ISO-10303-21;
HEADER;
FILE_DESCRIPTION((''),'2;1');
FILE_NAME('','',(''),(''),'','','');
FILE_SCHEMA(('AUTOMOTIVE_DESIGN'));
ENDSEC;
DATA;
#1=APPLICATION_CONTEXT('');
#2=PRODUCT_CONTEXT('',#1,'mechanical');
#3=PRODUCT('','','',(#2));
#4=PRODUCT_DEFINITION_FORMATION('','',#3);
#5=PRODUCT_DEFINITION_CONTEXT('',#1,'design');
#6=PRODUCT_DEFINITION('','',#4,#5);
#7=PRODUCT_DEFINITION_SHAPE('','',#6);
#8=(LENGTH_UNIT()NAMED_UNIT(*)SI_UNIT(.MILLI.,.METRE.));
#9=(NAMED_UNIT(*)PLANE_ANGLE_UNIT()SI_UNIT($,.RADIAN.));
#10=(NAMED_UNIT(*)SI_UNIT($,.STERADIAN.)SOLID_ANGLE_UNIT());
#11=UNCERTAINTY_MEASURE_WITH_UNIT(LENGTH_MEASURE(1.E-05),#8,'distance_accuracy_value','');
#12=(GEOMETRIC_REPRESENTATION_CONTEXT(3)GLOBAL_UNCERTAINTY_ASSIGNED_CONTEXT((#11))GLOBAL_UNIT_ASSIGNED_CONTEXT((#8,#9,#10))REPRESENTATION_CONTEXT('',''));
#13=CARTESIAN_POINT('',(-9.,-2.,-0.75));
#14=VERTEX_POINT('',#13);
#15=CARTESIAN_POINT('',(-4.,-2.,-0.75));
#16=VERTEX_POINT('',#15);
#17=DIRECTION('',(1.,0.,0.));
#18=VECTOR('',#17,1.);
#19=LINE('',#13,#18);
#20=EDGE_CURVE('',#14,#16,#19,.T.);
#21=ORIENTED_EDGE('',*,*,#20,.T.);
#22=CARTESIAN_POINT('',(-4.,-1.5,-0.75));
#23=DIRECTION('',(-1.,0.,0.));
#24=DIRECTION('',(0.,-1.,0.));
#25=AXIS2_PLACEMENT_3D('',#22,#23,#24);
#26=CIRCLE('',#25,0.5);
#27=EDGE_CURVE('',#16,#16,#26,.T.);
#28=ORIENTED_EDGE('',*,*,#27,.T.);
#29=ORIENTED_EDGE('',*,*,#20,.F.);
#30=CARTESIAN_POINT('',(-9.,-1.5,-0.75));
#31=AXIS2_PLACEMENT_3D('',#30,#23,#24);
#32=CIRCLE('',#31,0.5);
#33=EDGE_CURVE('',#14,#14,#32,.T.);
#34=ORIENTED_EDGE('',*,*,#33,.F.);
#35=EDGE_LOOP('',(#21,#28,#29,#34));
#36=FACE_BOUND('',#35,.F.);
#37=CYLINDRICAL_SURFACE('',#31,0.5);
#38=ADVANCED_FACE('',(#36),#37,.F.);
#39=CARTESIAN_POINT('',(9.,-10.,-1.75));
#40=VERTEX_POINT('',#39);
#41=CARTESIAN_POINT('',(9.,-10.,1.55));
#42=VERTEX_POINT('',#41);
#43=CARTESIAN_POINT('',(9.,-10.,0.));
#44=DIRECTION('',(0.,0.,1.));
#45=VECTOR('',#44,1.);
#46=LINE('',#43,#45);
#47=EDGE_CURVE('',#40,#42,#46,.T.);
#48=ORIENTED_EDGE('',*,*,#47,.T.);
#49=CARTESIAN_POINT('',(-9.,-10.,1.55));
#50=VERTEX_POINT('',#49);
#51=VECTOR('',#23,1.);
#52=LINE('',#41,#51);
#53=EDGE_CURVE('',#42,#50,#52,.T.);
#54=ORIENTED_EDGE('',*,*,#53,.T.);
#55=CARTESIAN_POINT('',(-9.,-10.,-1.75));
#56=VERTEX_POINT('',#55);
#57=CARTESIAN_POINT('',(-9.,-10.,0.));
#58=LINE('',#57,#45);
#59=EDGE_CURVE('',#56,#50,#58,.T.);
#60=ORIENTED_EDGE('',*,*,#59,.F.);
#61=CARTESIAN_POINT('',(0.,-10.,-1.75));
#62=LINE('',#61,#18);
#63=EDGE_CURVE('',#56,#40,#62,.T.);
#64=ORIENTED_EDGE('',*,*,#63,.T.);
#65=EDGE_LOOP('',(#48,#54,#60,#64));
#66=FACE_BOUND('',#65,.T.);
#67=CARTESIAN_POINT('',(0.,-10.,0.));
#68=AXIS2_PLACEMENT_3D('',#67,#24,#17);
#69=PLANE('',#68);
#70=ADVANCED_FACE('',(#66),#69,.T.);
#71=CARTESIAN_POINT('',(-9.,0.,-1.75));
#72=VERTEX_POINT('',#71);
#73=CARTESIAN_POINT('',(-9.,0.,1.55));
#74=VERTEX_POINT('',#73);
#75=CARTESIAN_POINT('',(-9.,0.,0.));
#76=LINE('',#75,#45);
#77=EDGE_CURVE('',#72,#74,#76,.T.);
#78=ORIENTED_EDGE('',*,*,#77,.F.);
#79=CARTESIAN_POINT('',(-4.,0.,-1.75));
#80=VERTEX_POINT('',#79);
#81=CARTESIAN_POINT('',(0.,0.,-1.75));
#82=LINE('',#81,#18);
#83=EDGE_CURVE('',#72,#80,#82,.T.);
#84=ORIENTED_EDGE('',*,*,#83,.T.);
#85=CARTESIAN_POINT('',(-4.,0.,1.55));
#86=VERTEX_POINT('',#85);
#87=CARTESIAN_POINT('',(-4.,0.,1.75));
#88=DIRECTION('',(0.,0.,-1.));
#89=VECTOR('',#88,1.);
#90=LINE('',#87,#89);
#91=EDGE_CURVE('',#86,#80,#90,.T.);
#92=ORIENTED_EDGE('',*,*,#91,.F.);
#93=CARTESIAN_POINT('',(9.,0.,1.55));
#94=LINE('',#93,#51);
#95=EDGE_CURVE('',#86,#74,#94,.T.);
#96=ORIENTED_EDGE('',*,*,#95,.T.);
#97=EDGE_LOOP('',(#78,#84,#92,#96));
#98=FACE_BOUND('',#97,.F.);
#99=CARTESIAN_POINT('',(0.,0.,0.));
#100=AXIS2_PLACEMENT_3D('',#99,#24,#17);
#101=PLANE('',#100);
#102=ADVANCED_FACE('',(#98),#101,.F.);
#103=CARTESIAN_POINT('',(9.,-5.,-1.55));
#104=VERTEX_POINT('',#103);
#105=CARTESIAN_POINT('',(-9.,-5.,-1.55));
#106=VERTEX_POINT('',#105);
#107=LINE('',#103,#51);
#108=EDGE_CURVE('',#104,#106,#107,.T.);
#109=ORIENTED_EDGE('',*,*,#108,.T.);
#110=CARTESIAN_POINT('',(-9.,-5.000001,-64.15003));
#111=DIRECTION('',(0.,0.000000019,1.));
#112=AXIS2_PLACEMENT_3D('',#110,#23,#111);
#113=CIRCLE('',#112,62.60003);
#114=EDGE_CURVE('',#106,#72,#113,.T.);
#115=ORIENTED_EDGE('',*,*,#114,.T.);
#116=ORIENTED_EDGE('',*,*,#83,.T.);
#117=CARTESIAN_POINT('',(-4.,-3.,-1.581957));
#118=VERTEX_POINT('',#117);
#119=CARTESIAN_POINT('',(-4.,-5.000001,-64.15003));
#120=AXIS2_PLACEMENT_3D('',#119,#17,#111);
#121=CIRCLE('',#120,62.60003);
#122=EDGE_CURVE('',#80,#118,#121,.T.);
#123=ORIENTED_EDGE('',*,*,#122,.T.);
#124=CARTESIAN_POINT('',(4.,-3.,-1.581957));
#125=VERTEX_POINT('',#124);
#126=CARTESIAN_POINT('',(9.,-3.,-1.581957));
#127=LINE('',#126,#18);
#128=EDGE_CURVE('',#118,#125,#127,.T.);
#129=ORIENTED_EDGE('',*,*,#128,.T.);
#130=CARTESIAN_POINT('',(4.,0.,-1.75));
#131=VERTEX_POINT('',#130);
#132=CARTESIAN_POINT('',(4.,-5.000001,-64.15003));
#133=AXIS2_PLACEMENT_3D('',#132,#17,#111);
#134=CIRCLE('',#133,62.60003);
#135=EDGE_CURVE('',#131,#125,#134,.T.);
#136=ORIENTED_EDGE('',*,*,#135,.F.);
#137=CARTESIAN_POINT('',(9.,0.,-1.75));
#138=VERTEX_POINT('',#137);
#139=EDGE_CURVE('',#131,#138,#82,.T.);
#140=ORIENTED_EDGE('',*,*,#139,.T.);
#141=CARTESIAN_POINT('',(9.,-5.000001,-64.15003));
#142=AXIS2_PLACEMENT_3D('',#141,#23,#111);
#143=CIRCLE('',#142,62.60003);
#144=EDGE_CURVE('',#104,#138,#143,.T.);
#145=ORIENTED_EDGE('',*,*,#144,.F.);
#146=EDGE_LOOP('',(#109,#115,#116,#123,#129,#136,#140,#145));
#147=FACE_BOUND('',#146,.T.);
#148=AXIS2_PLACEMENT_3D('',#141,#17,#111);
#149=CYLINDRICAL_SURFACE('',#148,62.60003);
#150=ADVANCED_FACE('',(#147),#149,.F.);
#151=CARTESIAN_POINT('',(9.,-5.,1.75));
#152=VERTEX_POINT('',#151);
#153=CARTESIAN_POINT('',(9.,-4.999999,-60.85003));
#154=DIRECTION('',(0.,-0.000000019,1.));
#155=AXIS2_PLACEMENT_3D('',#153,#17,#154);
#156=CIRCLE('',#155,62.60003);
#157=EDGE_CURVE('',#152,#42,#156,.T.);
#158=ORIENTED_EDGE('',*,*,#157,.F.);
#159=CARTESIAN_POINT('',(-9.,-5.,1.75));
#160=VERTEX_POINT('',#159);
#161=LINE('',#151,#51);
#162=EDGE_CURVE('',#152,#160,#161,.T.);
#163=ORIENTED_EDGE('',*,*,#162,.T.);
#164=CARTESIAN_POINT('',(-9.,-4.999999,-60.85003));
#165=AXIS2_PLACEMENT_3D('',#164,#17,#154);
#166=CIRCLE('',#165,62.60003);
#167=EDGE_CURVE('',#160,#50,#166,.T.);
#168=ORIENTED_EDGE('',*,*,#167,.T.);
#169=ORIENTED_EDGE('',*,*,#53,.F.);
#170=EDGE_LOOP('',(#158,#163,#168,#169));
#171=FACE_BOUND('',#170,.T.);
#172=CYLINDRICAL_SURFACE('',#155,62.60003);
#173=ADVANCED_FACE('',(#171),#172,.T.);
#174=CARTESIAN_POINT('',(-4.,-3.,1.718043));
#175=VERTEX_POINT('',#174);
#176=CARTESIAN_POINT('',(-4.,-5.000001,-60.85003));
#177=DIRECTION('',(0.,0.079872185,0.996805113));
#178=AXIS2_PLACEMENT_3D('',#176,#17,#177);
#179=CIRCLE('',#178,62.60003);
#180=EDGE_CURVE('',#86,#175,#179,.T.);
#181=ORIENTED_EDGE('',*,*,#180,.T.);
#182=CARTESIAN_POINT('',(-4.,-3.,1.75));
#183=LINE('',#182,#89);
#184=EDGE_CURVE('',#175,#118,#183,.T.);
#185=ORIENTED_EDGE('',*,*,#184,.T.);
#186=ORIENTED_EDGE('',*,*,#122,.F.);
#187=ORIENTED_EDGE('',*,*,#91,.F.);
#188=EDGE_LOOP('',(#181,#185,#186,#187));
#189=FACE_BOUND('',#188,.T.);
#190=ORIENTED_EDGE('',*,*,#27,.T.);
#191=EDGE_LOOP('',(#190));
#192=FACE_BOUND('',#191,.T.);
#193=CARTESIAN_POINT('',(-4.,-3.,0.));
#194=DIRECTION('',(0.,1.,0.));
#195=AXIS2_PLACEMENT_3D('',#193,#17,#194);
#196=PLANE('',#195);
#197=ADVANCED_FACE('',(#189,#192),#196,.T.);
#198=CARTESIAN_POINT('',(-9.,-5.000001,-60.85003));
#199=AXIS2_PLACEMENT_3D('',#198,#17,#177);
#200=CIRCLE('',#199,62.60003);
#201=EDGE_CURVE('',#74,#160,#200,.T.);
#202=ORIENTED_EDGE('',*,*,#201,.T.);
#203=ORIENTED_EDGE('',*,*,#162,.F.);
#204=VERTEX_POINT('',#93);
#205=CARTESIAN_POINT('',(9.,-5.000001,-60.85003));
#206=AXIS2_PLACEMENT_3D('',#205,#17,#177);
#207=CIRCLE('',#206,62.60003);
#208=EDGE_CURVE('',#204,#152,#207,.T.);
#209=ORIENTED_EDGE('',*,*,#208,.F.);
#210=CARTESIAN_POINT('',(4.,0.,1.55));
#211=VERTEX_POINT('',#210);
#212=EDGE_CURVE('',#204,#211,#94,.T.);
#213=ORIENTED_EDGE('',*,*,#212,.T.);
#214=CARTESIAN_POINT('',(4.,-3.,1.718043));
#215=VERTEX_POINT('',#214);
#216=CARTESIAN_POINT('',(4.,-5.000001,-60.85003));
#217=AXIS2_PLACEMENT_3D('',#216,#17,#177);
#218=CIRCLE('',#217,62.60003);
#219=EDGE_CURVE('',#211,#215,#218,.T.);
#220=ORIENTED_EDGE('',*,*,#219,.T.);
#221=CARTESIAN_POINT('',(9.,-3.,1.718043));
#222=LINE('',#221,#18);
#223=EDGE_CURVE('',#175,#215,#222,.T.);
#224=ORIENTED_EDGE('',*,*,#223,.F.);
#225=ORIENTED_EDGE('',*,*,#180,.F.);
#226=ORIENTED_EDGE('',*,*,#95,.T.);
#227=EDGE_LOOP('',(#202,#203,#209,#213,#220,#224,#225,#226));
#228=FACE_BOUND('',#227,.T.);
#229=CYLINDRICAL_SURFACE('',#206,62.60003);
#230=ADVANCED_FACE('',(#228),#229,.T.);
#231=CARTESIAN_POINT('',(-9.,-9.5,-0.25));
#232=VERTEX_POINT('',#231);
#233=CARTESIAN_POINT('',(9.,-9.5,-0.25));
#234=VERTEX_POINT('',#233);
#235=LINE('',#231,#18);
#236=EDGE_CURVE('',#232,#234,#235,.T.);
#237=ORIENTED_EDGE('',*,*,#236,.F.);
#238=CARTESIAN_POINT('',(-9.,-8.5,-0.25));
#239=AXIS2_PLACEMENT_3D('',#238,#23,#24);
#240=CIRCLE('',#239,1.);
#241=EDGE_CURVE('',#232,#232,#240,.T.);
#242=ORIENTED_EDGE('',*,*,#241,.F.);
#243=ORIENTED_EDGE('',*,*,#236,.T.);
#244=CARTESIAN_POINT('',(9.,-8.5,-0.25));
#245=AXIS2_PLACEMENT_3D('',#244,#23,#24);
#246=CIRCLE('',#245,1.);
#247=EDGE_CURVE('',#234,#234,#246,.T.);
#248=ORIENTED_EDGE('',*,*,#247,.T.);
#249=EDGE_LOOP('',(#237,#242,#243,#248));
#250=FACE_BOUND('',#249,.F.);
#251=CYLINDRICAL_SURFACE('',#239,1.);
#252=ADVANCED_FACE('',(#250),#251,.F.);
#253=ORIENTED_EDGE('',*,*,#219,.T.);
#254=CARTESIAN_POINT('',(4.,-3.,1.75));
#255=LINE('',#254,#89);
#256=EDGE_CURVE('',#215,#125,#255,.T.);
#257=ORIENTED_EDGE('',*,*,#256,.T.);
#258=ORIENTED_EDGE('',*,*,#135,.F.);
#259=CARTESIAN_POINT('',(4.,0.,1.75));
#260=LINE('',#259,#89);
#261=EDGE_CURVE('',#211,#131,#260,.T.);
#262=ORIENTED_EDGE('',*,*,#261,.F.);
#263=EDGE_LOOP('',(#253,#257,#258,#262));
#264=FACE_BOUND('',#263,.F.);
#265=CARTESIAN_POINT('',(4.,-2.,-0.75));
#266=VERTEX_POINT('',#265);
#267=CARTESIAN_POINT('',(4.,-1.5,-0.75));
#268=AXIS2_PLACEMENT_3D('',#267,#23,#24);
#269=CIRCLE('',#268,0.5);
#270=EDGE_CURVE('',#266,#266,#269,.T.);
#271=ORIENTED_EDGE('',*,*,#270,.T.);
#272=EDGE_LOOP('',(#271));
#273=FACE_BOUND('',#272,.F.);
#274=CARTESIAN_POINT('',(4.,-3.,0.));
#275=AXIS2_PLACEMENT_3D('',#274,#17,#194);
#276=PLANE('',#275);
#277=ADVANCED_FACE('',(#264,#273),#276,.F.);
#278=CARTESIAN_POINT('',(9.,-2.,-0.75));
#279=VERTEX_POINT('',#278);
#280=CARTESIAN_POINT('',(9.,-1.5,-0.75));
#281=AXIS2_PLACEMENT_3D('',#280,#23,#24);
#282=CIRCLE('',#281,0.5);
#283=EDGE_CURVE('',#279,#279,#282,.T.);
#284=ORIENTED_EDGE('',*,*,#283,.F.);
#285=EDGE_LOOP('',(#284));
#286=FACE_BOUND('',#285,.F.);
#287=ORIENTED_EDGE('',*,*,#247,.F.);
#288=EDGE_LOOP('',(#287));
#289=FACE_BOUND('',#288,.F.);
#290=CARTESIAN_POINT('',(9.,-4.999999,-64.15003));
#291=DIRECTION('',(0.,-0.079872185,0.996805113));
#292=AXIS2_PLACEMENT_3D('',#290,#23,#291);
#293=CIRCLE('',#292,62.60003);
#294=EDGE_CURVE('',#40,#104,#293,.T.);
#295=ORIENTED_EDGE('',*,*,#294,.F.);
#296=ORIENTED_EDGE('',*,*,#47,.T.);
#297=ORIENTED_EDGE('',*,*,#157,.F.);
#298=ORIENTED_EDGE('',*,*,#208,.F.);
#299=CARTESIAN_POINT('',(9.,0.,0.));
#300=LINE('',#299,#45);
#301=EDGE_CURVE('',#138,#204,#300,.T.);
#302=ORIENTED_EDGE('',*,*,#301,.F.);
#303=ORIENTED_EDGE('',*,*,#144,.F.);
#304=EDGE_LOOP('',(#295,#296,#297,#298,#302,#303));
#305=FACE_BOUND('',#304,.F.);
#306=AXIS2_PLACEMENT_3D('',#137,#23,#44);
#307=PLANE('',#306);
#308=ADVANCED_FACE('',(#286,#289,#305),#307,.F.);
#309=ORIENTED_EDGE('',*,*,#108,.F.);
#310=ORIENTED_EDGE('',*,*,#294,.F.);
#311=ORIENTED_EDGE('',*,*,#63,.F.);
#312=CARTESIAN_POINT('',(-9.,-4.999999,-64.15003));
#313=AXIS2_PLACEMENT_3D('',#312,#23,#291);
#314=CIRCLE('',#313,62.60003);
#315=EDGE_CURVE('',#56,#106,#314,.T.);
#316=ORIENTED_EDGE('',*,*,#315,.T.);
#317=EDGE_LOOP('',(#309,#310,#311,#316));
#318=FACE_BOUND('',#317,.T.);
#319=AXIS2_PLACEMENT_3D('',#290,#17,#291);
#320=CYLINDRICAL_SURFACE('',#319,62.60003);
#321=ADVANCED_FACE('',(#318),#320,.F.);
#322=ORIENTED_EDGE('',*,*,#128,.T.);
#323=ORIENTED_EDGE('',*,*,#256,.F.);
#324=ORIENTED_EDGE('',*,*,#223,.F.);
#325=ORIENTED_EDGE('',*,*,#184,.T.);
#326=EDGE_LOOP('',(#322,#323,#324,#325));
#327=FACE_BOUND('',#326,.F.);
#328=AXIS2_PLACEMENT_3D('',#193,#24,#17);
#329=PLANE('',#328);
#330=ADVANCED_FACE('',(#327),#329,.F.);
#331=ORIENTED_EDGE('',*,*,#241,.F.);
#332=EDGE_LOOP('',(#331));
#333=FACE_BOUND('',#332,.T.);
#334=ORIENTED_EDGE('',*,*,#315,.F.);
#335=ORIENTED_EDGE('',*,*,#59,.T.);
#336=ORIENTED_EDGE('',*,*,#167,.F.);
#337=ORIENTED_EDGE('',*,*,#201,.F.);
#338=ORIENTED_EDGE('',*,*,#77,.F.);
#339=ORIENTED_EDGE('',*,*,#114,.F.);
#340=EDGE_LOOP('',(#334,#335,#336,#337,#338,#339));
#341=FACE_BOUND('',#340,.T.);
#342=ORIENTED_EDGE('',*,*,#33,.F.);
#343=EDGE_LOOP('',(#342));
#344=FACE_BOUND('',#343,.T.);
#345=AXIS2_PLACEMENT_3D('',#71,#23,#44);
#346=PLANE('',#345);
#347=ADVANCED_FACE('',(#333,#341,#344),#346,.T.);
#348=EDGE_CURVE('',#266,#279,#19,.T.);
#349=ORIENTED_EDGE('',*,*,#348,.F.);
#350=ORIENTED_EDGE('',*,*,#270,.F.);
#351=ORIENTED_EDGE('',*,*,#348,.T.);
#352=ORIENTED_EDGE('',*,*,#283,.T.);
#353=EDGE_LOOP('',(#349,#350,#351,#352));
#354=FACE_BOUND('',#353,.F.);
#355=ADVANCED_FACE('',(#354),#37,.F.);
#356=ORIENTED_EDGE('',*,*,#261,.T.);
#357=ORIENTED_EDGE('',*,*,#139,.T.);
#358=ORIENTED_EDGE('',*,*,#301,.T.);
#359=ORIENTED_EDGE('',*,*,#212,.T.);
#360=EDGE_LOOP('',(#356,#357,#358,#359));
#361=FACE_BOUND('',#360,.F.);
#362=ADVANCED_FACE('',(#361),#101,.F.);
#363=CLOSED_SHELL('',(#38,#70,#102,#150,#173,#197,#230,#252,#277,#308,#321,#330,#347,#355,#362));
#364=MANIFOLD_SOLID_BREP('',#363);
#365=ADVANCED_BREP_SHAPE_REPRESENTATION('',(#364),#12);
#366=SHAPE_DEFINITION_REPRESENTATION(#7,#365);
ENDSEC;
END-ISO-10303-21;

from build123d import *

# Parameters (mm, degrees)
F0_W     = 18
F0_H     = 3.5
F1_DEPTH = 10
F2_W     = 8
F2_H     = 6
F3_DEPTH = 25
F4_DEPTH = 21.2
F6_DEPTH = 18
F7_R     = 1
F8_DEPTH = 25


with BuildPart() as f1:
    # F0 (on Front) → F1 (new body)
    with BuildSketch(Plane.XZ):
        Rectangle(F0_W, F0_H)
    extrude(amount=F1_DEPTH)

    # F2 (on Top) → F3 (cut)
    with BuildSketch(Plane.XY):
        Rectangle(F2_W, F2_H)
    extrude(amount=-F3_DEPTH, mode=Mode.SUBTRACT)

    # F2 (on Top) → F4 (cut)
    with BuildSketch(Plane.XY):
        Rectangle(F2_W, F2_H)
    extrude(amount=F4_DEPTH, mode=Mode.SUBTRACT)

    # F5 (on face) → F6 (intersect)
    with BuildSketch(Plane.YZ.offset(9)):
        with BuildLine():
            ThreePointArc((0, 1.55), (-2.498001, 1.69998), (-5, 1.75))
            Line((-5, 1.75), (-5, -1.55))
            ThreePointArc((-5, -1.55), (-2.498001, -1.60002), (0, -1.75))
            Line((0, -1.75), (0, 1.55))
        make_face()
        with BuildLine():
            Line((-5, -1.55), (-5, 1.75))
            ThreePointArc((-5, 1.75), (-7.501999, 1.69998), (-10, 1.55))
            Line((-10, 1.55), (-10, -1.75))
            ThreePointArc((-10, -1.75), (-7.501999, -1.60002), (-5, -1.55))
        make_face()
    extrude(amount=-F6_DEPTH, mode=Mode.INTERSECT)

    # F7 (on face) → F8 (cut)
    with BuildSketch(Plane(origin=(-9, 0, 0), x_dir=(0, -1, 0), z_dir=(-1, 0, 0))):
        with BuildLine():
            ThreePointArc((1, -0.75), (1.5, -1.25), (2, -0.75))
            ThreePointArc((2, -0.75), (1.5, -0.25), (1, -0.75))
        make_face()
        with Locations((8.5, -0.25)):
            Circle(F7_R)
    extrude(amount=-F8_DEPTH, mode=Mode.SUBTRACT)


solid = f1.part
